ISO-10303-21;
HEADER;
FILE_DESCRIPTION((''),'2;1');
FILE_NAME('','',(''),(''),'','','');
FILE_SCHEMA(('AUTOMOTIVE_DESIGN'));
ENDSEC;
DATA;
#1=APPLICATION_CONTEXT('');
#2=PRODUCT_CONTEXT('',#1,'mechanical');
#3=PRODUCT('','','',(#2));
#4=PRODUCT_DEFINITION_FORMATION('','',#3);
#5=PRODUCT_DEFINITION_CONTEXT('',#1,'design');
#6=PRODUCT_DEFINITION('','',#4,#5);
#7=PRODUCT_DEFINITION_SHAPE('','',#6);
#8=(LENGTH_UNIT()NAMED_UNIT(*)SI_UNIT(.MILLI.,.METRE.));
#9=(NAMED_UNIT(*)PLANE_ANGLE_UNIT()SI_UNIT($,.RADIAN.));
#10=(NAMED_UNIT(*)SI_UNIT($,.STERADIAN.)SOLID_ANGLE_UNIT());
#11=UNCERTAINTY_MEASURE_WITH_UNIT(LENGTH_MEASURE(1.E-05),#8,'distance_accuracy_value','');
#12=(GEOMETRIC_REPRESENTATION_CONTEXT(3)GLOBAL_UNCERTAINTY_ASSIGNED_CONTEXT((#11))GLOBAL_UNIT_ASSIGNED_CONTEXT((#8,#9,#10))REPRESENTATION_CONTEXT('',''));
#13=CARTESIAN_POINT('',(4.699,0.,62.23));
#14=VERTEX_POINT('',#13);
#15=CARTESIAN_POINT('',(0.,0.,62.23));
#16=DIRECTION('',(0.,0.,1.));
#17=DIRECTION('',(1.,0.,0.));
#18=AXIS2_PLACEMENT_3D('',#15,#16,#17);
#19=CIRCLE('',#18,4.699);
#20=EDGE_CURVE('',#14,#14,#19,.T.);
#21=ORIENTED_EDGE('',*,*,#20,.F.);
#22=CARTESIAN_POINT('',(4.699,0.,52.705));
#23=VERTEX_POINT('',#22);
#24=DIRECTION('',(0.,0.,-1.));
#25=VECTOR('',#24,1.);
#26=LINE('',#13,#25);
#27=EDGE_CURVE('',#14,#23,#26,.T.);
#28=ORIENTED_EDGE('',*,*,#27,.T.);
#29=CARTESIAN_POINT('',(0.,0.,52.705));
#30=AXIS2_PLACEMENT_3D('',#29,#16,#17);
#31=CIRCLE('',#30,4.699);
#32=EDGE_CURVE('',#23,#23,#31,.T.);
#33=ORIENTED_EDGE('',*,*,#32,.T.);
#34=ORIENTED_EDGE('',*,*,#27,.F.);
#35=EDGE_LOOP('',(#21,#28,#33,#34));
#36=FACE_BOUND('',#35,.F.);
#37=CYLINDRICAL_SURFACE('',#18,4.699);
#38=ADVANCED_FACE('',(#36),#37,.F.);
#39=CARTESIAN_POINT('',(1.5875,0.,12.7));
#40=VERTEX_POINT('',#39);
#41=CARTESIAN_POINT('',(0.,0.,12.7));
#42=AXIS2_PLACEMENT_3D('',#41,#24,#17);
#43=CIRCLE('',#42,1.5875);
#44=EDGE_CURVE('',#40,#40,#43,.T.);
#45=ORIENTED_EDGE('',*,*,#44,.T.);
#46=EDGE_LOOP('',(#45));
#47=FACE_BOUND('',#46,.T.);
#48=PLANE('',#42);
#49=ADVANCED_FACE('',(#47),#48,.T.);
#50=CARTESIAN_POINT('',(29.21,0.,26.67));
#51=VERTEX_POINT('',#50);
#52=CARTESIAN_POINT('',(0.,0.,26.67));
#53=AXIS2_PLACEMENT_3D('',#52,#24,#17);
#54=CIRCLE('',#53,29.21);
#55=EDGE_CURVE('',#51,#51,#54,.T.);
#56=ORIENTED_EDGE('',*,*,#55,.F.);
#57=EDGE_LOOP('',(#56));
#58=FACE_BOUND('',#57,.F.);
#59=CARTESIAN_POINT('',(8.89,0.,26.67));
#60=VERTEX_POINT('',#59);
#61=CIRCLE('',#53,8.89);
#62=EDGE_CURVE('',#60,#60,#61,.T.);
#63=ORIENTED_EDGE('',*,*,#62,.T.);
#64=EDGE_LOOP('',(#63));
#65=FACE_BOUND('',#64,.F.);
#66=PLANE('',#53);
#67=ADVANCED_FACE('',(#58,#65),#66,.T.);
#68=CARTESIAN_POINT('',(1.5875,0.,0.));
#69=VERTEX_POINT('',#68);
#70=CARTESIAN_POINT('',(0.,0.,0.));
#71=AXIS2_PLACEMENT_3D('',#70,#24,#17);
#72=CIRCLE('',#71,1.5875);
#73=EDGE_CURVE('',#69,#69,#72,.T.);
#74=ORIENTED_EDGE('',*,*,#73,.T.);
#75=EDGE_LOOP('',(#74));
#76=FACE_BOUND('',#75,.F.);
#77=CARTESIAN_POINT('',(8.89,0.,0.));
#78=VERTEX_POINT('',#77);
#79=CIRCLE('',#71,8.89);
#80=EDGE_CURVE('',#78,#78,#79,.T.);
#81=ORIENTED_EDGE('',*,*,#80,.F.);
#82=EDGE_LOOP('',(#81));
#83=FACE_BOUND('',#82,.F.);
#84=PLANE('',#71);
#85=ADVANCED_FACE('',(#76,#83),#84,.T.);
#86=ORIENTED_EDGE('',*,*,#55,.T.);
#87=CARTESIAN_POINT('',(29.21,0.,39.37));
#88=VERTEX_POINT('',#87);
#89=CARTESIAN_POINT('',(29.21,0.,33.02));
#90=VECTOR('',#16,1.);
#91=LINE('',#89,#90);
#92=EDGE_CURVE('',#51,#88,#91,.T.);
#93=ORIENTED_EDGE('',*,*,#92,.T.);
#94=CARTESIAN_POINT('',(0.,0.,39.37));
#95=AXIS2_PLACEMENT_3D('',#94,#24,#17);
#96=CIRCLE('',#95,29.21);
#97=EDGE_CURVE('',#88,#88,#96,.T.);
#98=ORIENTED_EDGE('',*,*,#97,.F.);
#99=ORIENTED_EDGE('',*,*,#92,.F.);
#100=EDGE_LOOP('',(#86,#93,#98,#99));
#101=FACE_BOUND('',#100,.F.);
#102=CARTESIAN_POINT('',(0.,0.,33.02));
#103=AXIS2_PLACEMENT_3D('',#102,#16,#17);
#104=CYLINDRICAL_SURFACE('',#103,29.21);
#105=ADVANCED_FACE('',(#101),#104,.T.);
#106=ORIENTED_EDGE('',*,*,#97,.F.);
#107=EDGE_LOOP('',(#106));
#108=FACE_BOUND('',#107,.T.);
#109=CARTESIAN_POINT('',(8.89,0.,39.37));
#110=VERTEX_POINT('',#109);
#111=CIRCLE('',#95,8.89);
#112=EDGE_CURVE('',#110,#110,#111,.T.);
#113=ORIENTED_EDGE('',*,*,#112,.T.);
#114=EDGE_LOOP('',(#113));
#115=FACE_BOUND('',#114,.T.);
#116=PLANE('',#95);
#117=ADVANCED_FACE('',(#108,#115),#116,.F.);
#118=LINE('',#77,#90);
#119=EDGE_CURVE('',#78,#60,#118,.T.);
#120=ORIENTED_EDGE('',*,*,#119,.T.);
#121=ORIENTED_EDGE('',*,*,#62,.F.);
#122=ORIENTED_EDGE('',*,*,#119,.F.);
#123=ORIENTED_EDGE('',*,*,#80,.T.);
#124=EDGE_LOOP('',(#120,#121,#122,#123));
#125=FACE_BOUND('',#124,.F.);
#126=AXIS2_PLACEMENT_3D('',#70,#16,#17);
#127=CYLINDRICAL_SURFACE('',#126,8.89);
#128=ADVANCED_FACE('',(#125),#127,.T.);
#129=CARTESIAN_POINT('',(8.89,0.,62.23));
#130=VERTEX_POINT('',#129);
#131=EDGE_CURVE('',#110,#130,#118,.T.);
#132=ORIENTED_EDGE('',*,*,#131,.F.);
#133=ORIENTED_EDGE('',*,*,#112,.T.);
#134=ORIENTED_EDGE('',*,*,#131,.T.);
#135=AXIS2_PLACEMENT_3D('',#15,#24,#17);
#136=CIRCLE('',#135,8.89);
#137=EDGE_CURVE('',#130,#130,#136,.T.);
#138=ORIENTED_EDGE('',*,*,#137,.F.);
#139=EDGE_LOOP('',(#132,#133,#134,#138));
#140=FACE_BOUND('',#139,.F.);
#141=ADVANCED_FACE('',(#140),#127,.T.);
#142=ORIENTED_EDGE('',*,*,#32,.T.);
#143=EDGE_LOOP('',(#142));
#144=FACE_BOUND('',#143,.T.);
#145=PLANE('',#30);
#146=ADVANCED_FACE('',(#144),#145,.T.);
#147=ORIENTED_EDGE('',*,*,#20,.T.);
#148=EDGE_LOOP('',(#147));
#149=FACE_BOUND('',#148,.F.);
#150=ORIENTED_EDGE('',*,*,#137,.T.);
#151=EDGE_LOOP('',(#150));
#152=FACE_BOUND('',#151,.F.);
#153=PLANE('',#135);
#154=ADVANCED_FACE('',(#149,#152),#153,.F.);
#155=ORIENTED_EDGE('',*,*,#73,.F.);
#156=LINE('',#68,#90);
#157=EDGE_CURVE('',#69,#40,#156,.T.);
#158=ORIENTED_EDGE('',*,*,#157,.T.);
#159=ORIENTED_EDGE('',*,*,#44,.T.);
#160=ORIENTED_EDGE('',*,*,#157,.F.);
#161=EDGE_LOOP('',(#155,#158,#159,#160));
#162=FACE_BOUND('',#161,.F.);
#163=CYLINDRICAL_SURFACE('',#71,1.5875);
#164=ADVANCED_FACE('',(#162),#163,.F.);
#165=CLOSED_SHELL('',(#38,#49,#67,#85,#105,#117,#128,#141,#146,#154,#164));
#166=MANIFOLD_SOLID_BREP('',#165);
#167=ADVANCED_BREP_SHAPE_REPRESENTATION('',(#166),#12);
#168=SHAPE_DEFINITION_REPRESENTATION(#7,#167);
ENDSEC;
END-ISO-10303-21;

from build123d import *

# Parameters (mm, degrees)
F0_W     = 20.32
F0_H     = 12.7
F2_R     = 4.699
F3_DEPTH = 9.525
F4_R     = 1.5875
F5_DEPTH = 12.7


with BuildPart() as f1:
    # F0 (on Front) → F1 (revolve)
    with BuildSketch(Plane.XZ):
        Polygon((0, 62.23), (0, 0), (8.89, 0), (8.89, 26.67), (8.89, 39.37), (8.89, 62.23), align=None)
        with Locations((19.05, 33.02)):
            Rectangle(F0_W, F0_H)
    revolve(axis=Axis((0, 0, 31.115), (0, 0, -1)))

    # F2 (on face) → F3 (cut)
    with BuildSketch(Plane.XY.offset(62.23)):
        Circle(F2_R)
    extrude(amount=-F3_DEPTH, mode=Mode.SUBTRACT)

    # F4 (on face) → F5 (cut)
    with BuildSketch(Plane(origin=(0, 0, 0), x_dir=(1, 0, 0), z_dir=(0, 0, -1))):
        Circle(F4_R)
    extrude(amount=-F5_DEPTH, mode=Mode.SUBTRACT)


solid = f1.part
